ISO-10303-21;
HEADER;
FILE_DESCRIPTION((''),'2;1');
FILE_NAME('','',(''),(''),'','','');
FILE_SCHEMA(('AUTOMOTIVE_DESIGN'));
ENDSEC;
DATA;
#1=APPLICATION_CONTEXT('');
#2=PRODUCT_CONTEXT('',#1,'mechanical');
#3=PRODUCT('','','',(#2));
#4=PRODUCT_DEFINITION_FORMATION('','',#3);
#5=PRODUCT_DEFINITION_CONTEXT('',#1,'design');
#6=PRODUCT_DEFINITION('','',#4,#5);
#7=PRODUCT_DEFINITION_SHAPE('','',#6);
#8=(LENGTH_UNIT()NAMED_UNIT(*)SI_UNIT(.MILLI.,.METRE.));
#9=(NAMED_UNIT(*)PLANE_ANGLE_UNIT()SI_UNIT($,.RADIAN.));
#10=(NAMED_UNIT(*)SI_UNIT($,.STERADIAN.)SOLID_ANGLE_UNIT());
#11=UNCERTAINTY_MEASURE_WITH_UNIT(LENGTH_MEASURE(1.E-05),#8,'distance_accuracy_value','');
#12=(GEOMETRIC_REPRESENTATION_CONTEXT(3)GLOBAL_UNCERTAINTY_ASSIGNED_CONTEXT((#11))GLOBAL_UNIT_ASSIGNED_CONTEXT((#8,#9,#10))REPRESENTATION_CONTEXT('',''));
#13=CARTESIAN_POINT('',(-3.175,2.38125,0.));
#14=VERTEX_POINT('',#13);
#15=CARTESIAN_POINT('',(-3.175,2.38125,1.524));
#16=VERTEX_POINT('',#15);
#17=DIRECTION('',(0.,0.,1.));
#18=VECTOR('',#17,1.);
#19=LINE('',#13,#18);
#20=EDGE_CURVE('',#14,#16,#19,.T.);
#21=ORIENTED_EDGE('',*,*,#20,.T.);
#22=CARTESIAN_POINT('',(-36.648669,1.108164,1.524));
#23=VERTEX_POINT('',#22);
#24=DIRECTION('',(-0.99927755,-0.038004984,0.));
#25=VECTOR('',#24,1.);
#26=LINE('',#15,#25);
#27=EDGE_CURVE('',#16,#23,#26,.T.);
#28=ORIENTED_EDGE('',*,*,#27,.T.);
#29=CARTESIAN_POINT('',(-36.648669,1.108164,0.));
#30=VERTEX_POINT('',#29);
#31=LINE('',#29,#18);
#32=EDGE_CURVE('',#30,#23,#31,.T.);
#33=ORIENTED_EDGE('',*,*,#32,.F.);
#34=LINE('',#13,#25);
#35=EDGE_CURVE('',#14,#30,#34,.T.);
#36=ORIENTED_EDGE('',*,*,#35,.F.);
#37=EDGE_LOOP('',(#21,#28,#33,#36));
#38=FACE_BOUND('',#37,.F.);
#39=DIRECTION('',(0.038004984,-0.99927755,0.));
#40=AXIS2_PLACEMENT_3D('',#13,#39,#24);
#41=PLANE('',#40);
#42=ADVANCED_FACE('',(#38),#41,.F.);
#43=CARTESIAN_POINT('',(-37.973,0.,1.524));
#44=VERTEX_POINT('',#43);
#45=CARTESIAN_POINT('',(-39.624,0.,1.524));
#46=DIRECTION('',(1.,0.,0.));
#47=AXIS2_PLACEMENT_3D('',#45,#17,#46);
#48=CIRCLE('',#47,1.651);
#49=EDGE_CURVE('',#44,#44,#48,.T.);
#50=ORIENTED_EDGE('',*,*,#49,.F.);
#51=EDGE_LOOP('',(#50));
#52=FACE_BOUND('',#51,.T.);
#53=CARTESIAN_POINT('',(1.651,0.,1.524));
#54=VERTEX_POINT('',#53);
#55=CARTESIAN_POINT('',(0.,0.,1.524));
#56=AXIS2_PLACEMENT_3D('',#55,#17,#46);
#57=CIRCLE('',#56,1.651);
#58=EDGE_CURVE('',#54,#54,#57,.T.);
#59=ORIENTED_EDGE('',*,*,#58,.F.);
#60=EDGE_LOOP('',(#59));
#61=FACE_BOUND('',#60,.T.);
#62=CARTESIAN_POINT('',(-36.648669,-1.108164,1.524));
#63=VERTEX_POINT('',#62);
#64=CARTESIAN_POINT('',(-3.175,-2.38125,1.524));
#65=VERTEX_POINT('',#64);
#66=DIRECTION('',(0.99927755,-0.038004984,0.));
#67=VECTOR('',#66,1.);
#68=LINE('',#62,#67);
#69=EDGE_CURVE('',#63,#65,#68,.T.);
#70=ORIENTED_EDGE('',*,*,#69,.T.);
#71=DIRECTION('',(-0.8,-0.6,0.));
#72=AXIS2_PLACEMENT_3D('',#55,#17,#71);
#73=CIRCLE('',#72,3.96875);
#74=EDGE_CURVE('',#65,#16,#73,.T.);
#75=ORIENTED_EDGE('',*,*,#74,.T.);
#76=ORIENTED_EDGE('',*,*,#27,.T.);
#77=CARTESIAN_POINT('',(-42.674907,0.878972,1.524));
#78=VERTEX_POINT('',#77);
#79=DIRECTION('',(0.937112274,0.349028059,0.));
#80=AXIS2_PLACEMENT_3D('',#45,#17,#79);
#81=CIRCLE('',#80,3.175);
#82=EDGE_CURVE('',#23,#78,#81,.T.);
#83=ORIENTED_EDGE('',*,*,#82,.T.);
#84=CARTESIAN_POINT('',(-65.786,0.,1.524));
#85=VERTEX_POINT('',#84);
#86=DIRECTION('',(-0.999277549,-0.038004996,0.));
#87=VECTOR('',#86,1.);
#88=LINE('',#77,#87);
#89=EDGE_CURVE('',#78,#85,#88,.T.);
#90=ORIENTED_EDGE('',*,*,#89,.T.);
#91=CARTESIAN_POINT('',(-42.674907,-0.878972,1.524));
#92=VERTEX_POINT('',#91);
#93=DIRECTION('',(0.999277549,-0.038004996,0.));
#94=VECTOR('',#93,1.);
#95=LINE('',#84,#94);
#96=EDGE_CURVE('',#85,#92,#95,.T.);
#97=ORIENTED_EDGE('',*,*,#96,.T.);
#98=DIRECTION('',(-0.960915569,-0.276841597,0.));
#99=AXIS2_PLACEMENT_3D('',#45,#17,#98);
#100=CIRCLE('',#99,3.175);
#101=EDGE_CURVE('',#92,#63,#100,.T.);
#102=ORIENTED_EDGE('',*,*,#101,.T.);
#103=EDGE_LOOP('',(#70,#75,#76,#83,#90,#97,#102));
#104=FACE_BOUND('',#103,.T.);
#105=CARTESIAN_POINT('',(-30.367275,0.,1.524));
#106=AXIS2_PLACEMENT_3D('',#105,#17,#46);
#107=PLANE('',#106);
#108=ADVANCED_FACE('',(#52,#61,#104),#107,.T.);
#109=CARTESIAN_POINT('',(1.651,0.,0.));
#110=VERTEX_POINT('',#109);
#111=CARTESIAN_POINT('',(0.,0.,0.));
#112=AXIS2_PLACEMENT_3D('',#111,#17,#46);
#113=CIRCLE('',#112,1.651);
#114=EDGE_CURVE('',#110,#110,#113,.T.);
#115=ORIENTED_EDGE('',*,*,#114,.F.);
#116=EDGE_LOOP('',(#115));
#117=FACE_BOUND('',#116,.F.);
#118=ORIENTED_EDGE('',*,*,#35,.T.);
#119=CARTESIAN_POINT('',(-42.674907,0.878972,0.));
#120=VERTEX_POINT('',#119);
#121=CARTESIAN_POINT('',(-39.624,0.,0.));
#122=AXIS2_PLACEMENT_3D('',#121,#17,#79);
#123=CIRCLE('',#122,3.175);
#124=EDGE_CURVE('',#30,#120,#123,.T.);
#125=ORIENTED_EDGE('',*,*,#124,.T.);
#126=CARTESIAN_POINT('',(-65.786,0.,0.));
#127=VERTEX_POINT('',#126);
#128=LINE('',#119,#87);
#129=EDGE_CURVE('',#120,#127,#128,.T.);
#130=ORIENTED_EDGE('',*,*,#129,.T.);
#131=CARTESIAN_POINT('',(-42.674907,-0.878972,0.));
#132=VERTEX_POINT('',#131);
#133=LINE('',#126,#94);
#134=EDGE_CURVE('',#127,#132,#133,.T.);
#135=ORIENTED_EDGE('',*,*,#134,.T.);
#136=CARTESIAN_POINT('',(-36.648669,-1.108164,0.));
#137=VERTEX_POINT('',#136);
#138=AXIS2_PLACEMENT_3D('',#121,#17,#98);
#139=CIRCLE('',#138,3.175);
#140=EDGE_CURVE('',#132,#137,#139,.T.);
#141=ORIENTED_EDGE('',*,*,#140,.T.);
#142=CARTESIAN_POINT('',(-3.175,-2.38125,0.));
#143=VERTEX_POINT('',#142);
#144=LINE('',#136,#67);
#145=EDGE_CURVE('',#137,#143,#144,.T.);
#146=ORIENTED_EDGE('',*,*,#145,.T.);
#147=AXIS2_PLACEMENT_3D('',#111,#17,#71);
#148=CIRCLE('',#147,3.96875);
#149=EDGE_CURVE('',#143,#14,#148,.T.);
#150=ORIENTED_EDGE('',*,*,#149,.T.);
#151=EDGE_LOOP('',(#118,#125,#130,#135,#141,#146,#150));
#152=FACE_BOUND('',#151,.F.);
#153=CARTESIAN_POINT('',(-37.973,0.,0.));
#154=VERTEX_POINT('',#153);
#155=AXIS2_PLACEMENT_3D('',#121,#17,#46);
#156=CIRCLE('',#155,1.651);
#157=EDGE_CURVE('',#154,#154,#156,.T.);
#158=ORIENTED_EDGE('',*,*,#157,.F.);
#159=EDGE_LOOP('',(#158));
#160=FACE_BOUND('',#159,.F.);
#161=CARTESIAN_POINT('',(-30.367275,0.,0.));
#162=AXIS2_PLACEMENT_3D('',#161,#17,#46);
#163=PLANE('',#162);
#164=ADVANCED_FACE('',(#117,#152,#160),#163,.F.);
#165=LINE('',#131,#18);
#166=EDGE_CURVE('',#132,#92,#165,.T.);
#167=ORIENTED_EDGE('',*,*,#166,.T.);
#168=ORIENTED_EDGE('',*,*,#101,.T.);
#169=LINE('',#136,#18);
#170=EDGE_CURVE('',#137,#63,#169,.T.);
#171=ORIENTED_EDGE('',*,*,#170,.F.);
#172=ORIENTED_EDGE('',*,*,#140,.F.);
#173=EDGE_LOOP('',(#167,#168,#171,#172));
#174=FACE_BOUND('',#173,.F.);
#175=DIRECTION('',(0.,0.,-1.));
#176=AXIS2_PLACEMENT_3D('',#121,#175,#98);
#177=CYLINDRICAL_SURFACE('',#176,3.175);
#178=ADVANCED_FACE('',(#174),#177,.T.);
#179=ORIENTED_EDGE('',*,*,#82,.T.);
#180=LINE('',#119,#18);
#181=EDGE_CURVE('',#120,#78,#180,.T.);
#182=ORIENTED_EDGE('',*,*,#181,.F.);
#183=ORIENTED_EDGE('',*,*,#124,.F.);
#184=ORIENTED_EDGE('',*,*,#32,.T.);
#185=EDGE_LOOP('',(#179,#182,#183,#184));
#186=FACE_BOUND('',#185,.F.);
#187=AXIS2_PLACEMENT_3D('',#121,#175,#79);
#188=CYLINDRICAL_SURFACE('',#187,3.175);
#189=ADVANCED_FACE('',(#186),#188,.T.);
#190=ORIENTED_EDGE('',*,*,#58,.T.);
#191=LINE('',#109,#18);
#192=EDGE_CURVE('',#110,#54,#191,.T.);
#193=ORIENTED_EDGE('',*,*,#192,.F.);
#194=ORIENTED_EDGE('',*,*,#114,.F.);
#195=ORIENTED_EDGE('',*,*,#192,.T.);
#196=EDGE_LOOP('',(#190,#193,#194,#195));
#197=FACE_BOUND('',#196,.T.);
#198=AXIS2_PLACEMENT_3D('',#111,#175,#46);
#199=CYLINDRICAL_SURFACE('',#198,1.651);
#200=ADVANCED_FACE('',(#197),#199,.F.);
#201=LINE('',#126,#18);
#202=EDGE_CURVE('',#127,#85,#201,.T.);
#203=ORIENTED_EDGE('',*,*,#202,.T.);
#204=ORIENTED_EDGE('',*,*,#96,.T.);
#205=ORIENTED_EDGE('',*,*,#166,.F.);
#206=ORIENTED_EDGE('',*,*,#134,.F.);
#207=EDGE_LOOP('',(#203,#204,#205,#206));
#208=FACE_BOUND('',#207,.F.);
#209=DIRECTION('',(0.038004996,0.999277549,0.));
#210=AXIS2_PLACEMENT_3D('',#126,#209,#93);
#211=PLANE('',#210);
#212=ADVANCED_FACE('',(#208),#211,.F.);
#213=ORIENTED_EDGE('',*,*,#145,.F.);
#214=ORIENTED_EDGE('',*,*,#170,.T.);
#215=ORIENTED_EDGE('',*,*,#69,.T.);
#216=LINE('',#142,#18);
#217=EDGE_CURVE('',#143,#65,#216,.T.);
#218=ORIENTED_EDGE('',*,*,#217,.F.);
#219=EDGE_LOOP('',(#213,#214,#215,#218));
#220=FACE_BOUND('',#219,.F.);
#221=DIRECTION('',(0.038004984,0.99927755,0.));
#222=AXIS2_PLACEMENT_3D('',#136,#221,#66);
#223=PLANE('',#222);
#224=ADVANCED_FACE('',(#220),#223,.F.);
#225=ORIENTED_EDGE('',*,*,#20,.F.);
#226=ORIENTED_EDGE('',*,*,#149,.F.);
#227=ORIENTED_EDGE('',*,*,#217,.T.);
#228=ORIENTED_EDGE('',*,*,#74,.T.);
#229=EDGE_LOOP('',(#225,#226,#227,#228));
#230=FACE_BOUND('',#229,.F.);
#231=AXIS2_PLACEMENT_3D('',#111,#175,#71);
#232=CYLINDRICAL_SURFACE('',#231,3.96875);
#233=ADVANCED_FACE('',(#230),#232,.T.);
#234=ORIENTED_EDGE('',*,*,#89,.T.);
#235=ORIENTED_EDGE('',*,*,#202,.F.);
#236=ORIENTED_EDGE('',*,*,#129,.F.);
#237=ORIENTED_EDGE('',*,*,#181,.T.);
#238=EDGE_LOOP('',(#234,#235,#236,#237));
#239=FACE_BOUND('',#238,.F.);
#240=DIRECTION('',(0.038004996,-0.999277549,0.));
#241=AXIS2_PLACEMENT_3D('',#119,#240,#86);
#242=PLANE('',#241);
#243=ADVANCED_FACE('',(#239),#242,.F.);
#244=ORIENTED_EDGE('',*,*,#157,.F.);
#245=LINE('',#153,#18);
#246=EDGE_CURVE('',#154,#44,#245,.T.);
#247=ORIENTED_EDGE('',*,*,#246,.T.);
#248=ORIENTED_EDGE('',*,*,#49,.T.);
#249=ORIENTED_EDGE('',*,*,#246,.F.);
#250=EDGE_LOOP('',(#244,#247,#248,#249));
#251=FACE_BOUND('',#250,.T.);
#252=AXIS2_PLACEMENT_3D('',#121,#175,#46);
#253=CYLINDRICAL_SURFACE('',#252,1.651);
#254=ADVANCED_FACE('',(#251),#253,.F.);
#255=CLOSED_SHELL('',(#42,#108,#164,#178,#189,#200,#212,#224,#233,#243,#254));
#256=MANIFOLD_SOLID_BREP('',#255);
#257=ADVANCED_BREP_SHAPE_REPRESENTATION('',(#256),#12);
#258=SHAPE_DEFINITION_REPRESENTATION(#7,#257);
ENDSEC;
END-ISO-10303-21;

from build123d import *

# Parameters (mm, degrees)
F0_R     = 1.651
F1_DEPTH = 1.524


with BuildPart() as f1:
    # F0 (on Top) → F1 (new body)
    with BuildSketch(Plane.XY):
        with BuildLine():
            Line((-36.648669, -1.108164), (-3.175, -2.38125))
            ThreePointArc((-3.175, -2.38125), (3.96875, 0), (-3.175, 2.38125))
            Line((-3.175, 2.38125), (-36.648669, 1.108164))
            ThreePointArc((-36.648669, 1.108164), (-39.744666, 3.172706), (-42.674907, 0.878972))
            Line((-42.674907, 0.878972), (-65.786, 0))
            Line((-65.786, 0), (-42.674907, -0.878972))
            ThreePointArc((-42.674907, -0.878972), (-39.744666, -3.172706), (-36.648669, -1.108164))
        make_face()
        with Locations((-39.624, 0)):
            Circle(F0_R, mode=Mode.SUBTRACT)
        Circle(F0_R, mode=Mode.SUBTRACT)
    extrude(amount=F1_DEPTH)


solid = f1.part
